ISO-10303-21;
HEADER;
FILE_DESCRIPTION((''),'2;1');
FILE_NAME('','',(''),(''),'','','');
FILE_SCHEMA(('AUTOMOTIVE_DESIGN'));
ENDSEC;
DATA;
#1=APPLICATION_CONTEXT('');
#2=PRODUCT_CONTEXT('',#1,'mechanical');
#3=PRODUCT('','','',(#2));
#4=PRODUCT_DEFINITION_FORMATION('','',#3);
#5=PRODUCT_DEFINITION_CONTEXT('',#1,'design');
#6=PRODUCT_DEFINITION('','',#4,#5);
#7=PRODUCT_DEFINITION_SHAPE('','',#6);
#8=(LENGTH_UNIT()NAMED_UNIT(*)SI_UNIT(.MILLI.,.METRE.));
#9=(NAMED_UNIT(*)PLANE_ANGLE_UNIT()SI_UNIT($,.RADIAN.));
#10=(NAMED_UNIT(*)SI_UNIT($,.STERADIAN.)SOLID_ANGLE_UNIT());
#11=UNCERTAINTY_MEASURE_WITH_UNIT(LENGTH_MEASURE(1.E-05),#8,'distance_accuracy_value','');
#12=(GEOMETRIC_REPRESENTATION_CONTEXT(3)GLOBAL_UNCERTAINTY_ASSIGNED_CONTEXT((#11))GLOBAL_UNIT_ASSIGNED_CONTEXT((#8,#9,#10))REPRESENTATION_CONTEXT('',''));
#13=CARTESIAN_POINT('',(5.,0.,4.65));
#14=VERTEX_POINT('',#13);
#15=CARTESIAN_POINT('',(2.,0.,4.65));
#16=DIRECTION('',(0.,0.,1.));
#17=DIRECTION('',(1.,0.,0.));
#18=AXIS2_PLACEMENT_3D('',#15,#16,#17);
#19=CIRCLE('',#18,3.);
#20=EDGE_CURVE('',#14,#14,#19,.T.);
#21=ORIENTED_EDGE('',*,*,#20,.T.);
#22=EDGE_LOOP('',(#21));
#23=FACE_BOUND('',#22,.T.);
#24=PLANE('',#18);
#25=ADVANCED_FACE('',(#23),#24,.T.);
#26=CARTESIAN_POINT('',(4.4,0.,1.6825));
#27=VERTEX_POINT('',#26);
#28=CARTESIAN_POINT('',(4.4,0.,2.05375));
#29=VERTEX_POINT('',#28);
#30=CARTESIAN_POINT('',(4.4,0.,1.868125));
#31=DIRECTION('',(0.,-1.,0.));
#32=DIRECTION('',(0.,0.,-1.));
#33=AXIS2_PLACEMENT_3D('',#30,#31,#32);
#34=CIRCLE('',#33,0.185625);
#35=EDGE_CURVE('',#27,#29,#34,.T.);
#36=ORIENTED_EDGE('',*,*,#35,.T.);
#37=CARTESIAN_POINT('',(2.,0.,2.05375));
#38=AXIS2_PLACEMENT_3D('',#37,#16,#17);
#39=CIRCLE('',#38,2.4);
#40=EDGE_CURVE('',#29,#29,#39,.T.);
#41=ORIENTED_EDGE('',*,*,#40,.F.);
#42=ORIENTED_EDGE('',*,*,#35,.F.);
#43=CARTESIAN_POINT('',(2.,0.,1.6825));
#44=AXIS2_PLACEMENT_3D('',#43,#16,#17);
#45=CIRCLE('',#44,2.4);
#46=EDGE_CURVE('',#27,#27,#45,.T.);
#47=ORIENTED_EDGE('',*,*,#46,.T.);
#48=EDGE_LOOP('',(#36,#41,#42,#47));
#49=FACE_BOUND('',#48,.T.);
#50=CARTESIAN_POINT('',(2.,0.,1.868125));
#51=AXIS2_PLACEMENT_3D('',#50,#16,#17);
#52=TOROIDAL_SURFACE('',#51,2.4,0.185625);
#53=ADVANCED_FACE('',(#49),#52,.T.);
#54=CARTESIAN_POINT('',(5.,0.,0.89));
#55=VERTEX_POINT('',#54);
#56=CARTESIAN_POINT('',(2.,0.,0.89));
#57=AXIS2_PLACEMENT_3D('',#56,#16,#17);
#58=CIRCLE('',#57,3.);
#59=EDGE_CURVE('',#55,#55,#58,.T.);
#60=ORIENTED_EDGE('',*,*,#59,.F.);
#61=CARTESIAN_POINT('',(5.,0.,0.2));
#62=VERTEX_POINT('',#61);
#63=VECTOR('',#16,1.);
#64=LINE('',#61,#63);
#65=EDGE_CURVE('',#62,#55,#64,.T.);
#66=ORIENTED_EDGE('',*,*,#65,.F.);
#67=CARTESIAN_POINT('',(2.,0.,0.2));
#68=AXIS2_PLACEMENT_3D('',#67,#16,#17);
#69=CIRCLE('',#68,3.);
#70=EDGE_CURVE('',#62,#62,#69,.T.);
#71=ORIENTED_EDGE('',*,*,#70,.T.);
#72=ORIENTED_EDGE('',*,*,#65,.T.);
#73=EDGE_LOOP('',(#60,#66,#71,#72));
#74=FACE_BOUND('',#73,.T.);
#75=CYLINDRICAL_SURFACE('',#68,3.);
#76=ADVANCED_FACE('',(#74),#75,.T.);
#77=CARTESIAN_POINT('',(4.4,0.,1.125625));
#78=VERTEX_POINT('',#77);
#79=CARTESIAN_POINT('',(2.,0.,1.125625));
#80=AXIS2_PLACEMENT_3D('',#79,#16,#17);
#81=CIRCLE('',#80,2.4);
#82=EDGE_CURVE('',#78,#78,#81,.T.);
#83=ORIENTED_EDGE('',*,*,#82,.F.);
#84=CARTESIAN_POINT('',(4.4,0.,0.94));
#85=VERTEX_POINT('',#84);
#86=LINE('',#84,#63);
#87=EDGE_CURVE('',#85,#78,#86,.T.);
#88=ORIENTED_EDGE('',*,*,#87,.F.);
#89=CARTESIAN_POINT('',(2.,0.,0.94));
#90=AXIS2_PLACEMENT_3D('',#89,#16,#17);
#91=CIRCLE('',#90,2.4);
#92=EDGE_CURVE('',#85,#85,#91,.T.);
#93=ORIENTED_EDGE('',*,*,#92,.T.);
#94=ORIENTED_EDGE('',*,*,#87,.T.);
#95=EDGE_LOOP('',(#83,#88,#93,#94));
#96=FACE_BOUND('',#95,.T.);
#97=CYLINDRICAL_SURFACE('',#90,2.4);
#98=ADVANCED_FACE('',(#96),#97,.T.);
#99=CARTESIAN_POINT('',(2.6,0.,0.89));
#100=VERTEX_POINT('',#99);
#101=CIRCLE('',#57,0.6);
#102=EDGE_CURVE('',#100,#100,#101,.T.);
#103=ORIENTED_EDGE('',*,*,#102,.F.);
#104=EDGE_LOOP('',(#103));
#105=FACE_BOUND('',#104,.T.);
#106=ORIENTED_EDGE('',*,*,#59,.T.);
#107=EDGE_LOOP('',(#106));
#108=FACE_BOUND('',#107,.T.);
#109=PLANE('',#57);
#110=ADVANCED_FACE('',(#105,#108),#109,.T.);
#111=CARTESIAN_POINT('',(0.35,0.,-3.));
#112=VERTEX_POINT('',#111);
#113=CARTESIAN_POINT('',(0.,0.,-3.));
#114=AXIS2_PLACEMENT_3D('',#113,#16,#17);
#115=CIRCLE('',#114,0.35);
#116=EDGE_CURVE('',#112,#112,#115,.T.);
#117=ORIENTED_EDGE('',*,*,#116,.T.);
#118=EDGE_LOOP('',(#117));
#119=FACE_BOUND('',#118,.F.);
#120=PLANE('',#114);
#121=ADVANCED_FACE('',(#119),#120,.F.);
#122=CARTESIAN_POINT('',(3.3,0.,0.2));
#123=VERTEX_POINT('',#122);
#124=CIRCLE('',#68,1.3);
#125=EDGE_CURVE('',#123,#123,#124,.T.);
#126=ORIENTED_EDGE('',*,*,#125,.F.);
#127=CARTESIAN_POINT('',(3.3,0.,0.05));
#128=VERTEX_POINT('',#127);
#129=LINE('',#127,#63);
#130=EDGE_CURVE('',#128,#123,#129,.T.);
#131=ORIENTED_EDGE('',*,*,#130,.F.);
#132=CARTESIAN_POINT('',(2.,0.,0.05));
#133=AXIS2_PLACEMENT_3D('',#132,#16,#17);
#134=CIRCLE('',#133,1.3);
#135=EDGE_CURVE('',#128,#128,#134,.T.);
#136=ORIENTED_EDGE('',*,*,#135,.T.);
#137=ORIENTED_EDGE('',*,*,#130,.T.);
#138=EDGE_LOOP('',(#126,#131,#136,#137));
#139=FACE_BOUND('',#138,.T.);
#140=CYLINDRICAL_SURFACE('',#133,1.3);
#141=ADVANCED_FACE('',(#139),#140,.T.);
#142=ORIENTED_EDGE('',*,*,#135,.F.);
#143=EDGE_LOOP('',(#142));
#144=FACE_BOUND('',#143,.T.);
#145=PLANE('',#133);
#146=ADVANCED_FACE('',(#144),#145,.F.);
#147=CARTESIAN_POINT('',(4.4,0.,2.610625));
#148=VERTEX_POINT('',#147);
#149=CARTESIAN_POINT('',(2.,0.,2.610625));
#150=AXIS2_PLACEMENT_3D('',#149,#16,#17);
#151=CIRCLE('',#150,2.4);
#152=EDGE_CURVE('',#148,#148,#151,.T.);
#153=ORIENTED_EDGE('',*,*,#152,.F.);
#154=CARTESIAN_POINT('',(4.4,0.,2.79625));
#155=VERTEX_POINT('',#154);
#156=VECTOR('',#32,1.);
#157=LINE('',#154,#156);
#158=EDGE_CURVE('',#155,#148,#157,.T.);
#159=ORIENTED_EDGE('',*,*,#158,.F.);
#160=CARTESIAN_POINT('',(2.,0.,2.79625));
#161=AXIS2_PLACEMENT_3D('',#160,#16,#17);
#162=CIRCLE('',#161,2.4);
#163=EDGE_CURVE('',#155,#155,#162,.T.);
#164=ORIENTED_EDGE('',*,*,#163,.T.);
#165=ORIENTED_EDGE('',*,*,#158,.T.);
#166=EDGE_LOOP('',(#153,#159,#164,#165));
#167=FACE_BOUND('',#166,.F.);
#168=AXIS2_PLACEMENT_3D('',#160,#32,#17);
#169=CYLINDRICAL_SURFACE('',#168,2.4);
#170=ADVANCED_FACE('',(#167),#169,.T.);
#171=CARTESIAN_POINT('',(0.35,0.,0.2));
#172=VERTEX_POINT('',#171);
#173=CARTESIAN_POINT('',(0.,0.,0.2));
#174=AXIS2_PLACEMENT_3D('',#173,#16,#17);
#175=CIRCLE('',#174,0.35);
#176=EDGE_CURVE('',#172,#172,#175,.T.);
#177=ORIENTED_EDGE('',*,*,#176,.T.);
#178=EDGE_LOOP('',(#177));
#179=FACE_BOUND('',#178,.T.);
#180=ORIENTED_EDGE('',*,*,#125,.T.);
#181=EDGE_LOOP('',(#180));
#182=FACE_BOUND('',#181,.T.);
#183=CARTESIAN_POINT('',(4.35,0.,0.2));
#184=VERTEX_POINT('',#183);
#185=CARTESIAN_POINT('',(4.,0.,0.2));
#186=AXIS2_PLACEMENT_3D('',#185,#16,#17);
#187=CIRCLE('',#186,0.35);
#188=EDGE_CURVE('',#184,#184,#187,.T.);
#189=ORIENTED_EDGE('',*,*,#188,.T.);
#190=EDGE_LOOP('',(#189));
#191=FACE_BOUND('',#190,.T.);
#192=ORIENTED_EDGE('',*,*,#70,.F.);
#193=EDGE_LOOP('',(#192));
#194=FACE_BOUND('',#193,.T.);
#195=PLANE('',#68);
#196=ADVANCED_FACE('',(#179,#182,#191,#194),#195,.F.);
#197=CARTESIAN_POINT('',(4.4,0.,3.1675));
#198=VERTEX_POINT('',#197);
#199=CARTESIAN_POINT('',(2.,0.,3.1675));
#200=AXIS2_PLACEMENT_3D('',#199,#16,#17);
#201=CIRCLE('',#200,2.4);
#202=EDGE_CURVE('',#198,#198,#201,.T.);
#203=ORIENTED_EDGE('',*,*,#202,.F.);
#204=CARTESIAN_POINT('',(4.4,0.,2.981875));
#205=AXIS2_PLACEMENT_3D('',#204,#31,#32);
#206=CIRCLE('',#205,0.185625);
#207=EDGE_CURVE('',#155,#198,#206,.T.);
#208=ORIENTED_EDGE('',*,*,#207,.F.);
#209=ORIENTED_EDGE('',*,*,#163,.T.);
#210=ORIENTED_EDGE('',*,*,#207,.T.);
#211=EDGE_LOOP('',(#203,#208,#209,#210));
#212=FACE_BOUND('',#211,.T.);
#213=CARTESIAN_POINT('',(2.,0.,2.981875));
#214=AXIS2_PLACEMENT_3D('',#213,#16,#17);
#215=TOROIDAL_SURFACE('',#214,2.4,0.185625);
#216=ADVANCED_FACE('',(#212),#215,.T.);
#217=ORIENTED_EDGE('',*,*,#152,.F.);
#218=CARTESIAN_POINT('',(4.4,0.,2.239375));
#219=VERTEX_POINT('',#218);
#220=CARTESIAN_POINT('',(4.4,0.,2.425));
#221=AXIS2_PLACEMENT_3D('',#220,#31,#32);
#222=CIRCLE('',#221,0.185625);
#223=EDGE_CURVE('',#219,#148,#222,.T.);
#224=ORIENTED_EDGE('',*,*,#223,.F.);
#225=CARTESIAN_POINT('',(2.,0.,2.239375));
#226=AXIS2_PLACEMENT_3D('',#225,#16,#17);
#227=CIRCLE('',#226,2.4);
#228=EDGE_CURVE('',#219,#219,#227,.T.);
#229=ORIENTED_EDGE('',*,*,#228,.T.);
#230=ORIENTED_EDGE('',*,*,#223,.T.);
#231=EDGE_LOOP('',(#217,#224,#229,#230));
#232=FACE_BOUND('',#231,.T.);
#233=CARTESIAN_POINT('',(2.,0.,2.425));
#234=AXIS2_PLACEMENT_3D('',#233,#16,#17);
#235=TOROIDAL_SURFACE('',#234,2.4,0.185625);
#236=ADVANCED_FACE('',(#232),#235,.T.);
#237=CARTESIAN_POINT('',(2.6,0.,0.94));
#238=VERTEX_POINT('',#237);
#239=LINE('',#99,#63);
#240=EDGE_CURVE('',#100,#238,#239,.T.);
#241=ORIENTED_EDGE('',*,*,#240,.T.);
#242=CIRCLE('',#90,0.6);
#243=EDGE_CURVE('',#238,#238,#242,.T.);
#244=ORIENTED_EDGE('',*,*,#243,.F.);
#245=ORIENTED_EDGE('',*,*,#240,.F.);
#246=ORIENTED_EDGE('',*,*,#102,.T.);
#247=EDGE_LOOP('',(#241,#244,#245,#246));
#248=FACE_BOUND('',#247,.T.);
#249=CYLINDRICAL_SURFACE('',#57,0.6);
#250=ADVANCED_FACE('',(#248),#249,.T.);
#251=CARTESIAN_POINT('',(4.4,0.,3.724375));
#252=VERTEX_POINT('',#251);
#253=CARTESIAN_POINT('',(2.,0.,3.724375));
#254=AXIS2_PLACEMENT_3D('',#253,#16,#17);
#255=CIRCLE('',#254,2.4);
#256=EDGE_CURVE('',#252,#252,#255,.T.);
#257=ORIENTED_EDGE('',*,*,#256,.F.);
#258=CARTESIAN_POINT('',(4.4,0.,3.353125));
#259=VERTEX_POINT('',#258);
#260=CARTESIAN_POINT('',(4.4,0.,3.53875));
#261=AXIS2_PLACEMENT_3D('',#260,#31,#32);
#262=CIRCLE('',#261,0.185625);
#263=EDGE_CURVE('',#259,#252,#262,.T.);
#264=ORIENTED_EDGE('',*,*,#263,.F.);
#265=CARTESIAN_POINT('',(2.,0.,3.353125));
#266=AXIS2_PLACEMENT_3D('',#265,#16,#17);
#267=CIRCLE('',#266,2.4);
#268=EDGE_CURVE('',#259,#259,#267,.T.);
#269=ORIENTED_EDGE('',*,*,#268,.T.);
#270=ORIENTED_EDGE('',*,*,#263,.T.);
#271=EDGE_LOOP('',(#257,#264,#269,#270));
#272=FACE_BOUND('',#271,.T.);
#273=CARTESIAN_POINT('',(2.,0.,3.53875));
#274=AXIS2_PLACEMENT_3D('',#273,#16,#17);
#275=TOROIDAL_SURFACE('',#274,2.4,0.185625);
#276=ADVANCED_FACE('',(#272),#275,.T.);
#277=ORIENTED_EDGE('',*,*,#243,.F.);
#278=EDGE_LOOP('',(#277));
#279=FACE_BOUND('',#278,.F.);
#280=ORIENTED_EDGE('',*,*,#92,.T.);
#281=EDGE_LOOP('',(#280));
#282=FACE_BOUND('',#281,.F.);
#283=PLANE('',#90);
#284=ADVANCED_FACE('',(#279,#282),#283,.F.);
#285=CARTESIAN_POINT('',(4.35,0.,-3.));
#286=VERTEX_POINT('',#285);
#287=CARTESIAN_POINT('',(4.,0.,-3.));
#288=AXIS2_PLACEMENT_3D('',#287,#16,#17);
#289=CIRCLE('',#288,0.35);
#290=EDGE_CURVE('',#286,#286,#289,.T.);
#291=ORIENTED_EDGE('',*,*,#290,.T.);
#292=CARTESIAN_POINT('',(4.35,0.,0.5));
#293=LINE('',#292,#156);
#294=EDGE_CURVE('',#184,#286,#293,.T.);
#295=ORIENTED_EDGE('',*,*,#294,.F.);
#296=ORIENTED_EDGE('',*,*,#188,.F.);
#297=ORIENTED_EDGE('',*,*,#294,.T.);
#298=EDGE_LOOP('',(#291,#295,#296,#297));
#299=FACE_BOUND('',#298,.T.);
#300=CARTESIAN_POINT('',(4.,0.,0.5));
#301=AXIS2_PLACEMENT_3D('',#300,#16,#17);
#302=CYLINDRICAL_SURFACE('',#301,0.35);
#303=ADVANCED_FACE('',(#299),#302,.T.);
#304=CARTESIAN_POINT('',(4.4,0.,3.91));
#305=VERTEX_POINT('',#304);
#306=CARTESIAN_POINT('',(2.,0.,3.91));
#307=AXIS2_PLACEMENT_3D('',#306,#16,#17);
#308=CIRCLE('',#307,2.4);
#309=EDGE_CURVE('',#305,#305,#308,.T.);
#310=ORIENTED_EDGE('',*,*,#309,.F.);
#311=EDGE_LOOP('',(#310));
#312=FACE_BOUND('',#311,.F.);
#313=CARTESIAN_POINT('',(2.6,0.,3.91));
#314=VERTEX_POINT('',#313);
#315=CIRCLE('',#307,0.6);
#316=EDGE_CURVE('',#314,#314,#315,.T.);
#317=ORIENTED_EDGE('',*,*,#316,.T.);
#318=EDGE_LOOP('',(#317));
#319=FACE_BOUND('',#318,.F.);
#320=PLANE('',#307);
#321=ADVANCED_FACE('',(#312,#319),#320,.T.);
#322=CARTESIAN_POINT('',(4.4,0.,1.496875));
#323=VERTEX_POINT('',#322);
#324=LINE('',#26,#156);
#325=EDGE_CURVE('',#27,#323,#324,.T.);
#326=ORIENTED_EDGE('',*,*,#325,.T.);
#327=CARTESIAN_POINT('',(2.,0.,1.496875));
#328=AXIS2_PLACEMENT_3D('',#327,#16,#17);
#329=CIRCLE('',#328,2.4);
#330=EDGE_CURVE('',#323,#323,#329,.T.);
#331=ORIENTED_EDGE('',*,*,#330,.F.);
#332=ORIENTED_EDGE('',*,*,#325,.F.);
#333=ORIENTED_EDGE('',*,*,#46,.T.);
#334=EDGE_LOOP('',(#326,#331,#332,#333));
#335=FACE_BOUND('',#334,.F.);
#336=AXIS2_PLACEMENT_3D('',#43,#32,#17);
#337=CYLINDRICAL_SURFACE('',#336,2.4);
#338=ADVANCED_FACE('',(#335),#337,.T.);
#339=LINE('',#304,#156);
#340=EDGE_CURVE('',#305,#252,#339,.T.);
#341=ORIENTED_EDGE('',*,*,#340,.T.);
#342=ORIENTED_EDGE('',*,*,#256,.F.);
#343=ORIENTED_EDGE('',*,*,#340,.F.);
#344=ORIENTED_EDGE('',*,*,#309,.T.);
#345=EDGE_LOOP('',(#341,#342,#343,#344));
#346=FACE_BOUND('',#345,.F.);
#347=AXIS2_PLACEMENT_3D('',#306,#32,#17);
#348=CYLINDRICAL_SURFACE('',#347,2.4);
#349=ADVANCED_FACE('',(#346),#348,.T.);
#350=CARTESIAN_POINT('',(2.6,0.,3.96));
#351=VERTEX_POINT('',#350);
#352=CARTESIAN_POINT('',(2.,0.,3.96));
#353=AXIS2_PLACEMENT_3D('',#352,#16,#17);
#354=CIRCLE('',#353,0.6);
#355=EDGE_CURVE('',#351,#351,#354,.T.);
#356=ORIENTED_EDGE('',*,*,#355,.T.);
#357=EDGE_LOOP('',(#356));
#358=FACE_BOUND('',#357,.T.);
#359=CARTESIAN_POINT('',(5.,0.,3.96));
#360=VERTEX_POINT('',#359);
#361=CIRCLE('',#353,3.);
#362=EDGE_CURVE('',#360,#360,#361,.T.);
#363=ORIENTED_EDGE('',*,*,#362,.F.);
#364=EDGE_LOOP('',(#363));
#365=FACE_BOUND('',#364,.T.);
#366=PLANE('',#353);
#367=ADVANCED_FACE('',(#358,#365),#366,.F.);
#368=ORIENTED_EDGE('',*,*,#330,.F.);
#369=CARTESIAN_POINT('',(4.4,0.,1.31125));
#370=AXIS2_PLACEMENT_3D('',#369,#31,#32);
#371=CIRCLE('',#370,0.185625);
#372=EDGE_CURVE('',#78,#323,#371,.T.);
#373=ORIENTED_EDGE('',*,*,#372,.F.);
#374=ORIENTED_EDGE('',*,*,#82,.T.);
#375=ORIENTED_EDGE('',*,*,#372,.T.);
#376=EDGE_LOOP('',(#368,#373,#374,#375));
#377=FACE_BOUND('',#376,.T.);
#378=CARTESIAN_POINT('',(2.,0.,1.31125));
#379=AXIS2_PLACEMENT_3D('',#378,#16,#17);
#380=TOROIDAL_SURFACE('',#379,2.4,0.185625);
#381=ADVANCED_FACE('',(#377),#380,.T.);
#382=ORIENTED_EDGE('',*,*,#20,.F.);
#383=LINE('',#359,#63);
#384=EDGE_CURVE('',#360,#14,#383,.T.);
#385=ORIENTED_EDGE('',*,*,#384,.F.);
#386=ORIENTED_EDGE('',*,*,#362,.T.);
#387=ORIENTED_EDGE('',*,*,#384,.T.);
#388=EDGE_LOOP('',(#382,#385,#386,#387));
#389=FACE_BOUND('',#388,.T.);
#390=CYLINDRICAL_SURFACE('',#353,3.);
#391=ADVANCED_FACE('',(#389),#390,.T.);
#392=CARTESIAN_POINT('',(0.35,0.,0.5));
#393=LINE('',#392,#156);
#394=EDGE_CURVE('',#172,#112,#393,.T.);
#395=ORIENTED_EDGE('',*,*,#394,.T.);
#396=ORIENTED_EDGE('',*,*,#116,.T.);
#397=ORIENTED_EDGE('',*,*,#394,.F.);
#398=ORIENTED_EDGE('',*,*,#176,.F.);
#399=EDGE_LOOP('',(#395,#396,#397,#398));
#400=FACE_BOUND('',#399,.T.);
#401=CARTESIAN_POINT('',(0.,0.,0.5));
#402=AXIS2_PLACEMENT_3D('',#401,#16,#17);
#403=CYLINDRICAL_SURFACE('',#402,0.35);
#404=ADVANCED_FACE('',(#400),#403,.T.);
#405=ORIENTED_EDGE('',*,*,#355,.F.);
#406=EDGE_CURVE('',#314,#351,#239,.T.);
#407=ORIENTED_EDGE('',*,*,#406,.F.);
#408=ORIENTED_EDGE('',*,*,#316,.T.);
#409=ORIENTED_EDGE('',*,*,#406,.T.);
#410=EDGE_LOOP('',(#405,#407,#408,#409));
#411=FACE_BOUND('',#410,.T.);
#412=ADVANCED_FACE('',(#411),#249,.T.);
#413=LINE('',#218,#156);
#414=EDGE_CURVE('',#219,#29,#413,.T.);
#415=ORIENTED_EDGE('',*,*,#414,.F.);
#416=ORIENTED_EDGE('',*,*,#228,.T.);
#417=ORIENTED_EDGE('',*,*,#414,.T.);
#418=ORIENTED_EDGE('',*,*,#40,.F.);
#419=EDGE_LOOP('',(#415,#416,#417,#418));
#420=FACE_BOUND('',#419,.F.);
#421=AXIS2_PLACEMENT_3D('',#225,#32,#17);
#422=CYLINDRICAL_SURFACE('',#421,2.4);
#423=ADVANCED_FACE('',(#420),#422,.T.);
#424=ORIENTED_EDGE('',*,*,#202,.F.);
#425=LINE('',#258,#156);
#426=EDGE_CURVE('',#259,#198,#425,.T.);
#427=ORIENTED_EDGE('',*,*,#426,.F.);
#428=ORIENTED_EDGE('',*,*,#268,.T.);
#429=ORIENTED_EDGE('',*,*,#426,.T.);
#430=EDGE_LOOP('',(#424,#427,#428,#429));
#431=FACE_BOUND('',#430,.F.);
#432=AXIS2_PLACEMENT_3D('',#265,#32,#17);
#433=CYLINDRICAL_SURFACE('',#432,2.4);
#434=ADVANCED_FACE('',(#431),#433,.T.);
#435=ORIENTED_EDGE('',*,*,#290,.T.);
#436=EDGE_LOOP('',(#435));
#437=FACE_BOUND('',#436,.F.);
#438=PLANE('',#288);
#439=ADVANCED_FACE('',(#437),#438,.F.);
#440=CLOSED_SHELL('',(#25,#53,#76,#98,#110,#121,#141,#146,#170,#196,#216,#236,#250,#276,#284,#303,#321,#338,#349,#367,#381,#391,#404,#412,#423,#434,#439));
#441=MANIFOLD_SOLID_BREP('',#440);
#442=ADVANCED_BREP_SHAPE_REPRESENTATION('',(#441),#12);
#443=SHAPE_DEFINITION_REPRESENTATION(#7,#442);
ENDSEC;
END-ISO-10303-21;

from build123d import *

# Parameters (mm, degrees)
SKETCH001_R  = 0.35
PAD001_DEPTH = 3.5


with BuildPart() as revolution:
    # Sketch → Revolution (revolve)
    with BuildSketch(Plane(origin=(2, 0, 0), x_dir=(1, 0, 0), z_dir=(0, -1, 0))):
        Polygon((0, 0.05), (1.3, 0.05), (1.3, 0.2), (3, 0.2), (3, 0.89), (0.6, 0.89), (0.6, 3.96), (3, 3.96), (3, 4.65), (0, 4.65), align=None)
    revolve(axis=Axis((2, 0, 0), (0, 0, 1)))


with BuildPart() as pad001:
    # Sketch001 → Pad001 (new body)
    with BuildSketch(Plane.XY.offset(0.5)):
        Circle(SKETCH001_R)
        with Locations((4, 0)):
            Circle(SKETCH001_R)
    extrude(amount=-PAD001_DEPTH)


with BuildPart() as l_radial_d6_0mm_p4_00mm:
    # Sketch002 → Revolution001 (revolve)
    with BuildSketch(Plane(origin=(2, 0, 0), x_dir=(1, 0, 0), z_dir=(0, -1, 0))):
        with BuildLine():
            Line((2.4, 0.94), (0.6, 0.94))
            Line((0.6, 0.94), (0.6, 3.91))
            Line((0.6, 3.91), (2.4, 3.91))
            Line((2.4, 3.91), (2.4, 3.724375))
            ThreePointArc((2.4, 3.353125), (2.585625, 3.53875), (2.4, 3.724375))
            Line((2.4, 3.353125), (2.4, 3.1675))
            ThreePointArc((2.4, 2.79625), (2.585625, 2.981875), (2.4, 3.1675))
            Line((2.4, 2.79625), (2.4, 2.610625))
            ThreePointArc((2.4, 2.239375), (2.585625, 2.425), (2.4, 2.610625))
            Line((2.4, 2.239375), (2.4, 2.05375))
            ThreePointArc((2.4, 1.6825), (2.585625, 1.868125), (2.4, 2.05375))
            Line((2.4, 1.6825), (2.4, 1.496875))
            ThreePointArc((2.4, 1.125625), (2.585625, 1.31125), (2.4, 1.496875))
            Line((2.4, 0.94), (2.4, 1.125625))
        make_face()
    revolve(axis=Axis((2, 0, 0), (0, 0, 1)))

    # Revolution001_mp_cp: union Revolution, Pad001
    add(revolution.part)
    add(pad001.part)


solid = l_radial_d6_0mm_p4_00mm.part
